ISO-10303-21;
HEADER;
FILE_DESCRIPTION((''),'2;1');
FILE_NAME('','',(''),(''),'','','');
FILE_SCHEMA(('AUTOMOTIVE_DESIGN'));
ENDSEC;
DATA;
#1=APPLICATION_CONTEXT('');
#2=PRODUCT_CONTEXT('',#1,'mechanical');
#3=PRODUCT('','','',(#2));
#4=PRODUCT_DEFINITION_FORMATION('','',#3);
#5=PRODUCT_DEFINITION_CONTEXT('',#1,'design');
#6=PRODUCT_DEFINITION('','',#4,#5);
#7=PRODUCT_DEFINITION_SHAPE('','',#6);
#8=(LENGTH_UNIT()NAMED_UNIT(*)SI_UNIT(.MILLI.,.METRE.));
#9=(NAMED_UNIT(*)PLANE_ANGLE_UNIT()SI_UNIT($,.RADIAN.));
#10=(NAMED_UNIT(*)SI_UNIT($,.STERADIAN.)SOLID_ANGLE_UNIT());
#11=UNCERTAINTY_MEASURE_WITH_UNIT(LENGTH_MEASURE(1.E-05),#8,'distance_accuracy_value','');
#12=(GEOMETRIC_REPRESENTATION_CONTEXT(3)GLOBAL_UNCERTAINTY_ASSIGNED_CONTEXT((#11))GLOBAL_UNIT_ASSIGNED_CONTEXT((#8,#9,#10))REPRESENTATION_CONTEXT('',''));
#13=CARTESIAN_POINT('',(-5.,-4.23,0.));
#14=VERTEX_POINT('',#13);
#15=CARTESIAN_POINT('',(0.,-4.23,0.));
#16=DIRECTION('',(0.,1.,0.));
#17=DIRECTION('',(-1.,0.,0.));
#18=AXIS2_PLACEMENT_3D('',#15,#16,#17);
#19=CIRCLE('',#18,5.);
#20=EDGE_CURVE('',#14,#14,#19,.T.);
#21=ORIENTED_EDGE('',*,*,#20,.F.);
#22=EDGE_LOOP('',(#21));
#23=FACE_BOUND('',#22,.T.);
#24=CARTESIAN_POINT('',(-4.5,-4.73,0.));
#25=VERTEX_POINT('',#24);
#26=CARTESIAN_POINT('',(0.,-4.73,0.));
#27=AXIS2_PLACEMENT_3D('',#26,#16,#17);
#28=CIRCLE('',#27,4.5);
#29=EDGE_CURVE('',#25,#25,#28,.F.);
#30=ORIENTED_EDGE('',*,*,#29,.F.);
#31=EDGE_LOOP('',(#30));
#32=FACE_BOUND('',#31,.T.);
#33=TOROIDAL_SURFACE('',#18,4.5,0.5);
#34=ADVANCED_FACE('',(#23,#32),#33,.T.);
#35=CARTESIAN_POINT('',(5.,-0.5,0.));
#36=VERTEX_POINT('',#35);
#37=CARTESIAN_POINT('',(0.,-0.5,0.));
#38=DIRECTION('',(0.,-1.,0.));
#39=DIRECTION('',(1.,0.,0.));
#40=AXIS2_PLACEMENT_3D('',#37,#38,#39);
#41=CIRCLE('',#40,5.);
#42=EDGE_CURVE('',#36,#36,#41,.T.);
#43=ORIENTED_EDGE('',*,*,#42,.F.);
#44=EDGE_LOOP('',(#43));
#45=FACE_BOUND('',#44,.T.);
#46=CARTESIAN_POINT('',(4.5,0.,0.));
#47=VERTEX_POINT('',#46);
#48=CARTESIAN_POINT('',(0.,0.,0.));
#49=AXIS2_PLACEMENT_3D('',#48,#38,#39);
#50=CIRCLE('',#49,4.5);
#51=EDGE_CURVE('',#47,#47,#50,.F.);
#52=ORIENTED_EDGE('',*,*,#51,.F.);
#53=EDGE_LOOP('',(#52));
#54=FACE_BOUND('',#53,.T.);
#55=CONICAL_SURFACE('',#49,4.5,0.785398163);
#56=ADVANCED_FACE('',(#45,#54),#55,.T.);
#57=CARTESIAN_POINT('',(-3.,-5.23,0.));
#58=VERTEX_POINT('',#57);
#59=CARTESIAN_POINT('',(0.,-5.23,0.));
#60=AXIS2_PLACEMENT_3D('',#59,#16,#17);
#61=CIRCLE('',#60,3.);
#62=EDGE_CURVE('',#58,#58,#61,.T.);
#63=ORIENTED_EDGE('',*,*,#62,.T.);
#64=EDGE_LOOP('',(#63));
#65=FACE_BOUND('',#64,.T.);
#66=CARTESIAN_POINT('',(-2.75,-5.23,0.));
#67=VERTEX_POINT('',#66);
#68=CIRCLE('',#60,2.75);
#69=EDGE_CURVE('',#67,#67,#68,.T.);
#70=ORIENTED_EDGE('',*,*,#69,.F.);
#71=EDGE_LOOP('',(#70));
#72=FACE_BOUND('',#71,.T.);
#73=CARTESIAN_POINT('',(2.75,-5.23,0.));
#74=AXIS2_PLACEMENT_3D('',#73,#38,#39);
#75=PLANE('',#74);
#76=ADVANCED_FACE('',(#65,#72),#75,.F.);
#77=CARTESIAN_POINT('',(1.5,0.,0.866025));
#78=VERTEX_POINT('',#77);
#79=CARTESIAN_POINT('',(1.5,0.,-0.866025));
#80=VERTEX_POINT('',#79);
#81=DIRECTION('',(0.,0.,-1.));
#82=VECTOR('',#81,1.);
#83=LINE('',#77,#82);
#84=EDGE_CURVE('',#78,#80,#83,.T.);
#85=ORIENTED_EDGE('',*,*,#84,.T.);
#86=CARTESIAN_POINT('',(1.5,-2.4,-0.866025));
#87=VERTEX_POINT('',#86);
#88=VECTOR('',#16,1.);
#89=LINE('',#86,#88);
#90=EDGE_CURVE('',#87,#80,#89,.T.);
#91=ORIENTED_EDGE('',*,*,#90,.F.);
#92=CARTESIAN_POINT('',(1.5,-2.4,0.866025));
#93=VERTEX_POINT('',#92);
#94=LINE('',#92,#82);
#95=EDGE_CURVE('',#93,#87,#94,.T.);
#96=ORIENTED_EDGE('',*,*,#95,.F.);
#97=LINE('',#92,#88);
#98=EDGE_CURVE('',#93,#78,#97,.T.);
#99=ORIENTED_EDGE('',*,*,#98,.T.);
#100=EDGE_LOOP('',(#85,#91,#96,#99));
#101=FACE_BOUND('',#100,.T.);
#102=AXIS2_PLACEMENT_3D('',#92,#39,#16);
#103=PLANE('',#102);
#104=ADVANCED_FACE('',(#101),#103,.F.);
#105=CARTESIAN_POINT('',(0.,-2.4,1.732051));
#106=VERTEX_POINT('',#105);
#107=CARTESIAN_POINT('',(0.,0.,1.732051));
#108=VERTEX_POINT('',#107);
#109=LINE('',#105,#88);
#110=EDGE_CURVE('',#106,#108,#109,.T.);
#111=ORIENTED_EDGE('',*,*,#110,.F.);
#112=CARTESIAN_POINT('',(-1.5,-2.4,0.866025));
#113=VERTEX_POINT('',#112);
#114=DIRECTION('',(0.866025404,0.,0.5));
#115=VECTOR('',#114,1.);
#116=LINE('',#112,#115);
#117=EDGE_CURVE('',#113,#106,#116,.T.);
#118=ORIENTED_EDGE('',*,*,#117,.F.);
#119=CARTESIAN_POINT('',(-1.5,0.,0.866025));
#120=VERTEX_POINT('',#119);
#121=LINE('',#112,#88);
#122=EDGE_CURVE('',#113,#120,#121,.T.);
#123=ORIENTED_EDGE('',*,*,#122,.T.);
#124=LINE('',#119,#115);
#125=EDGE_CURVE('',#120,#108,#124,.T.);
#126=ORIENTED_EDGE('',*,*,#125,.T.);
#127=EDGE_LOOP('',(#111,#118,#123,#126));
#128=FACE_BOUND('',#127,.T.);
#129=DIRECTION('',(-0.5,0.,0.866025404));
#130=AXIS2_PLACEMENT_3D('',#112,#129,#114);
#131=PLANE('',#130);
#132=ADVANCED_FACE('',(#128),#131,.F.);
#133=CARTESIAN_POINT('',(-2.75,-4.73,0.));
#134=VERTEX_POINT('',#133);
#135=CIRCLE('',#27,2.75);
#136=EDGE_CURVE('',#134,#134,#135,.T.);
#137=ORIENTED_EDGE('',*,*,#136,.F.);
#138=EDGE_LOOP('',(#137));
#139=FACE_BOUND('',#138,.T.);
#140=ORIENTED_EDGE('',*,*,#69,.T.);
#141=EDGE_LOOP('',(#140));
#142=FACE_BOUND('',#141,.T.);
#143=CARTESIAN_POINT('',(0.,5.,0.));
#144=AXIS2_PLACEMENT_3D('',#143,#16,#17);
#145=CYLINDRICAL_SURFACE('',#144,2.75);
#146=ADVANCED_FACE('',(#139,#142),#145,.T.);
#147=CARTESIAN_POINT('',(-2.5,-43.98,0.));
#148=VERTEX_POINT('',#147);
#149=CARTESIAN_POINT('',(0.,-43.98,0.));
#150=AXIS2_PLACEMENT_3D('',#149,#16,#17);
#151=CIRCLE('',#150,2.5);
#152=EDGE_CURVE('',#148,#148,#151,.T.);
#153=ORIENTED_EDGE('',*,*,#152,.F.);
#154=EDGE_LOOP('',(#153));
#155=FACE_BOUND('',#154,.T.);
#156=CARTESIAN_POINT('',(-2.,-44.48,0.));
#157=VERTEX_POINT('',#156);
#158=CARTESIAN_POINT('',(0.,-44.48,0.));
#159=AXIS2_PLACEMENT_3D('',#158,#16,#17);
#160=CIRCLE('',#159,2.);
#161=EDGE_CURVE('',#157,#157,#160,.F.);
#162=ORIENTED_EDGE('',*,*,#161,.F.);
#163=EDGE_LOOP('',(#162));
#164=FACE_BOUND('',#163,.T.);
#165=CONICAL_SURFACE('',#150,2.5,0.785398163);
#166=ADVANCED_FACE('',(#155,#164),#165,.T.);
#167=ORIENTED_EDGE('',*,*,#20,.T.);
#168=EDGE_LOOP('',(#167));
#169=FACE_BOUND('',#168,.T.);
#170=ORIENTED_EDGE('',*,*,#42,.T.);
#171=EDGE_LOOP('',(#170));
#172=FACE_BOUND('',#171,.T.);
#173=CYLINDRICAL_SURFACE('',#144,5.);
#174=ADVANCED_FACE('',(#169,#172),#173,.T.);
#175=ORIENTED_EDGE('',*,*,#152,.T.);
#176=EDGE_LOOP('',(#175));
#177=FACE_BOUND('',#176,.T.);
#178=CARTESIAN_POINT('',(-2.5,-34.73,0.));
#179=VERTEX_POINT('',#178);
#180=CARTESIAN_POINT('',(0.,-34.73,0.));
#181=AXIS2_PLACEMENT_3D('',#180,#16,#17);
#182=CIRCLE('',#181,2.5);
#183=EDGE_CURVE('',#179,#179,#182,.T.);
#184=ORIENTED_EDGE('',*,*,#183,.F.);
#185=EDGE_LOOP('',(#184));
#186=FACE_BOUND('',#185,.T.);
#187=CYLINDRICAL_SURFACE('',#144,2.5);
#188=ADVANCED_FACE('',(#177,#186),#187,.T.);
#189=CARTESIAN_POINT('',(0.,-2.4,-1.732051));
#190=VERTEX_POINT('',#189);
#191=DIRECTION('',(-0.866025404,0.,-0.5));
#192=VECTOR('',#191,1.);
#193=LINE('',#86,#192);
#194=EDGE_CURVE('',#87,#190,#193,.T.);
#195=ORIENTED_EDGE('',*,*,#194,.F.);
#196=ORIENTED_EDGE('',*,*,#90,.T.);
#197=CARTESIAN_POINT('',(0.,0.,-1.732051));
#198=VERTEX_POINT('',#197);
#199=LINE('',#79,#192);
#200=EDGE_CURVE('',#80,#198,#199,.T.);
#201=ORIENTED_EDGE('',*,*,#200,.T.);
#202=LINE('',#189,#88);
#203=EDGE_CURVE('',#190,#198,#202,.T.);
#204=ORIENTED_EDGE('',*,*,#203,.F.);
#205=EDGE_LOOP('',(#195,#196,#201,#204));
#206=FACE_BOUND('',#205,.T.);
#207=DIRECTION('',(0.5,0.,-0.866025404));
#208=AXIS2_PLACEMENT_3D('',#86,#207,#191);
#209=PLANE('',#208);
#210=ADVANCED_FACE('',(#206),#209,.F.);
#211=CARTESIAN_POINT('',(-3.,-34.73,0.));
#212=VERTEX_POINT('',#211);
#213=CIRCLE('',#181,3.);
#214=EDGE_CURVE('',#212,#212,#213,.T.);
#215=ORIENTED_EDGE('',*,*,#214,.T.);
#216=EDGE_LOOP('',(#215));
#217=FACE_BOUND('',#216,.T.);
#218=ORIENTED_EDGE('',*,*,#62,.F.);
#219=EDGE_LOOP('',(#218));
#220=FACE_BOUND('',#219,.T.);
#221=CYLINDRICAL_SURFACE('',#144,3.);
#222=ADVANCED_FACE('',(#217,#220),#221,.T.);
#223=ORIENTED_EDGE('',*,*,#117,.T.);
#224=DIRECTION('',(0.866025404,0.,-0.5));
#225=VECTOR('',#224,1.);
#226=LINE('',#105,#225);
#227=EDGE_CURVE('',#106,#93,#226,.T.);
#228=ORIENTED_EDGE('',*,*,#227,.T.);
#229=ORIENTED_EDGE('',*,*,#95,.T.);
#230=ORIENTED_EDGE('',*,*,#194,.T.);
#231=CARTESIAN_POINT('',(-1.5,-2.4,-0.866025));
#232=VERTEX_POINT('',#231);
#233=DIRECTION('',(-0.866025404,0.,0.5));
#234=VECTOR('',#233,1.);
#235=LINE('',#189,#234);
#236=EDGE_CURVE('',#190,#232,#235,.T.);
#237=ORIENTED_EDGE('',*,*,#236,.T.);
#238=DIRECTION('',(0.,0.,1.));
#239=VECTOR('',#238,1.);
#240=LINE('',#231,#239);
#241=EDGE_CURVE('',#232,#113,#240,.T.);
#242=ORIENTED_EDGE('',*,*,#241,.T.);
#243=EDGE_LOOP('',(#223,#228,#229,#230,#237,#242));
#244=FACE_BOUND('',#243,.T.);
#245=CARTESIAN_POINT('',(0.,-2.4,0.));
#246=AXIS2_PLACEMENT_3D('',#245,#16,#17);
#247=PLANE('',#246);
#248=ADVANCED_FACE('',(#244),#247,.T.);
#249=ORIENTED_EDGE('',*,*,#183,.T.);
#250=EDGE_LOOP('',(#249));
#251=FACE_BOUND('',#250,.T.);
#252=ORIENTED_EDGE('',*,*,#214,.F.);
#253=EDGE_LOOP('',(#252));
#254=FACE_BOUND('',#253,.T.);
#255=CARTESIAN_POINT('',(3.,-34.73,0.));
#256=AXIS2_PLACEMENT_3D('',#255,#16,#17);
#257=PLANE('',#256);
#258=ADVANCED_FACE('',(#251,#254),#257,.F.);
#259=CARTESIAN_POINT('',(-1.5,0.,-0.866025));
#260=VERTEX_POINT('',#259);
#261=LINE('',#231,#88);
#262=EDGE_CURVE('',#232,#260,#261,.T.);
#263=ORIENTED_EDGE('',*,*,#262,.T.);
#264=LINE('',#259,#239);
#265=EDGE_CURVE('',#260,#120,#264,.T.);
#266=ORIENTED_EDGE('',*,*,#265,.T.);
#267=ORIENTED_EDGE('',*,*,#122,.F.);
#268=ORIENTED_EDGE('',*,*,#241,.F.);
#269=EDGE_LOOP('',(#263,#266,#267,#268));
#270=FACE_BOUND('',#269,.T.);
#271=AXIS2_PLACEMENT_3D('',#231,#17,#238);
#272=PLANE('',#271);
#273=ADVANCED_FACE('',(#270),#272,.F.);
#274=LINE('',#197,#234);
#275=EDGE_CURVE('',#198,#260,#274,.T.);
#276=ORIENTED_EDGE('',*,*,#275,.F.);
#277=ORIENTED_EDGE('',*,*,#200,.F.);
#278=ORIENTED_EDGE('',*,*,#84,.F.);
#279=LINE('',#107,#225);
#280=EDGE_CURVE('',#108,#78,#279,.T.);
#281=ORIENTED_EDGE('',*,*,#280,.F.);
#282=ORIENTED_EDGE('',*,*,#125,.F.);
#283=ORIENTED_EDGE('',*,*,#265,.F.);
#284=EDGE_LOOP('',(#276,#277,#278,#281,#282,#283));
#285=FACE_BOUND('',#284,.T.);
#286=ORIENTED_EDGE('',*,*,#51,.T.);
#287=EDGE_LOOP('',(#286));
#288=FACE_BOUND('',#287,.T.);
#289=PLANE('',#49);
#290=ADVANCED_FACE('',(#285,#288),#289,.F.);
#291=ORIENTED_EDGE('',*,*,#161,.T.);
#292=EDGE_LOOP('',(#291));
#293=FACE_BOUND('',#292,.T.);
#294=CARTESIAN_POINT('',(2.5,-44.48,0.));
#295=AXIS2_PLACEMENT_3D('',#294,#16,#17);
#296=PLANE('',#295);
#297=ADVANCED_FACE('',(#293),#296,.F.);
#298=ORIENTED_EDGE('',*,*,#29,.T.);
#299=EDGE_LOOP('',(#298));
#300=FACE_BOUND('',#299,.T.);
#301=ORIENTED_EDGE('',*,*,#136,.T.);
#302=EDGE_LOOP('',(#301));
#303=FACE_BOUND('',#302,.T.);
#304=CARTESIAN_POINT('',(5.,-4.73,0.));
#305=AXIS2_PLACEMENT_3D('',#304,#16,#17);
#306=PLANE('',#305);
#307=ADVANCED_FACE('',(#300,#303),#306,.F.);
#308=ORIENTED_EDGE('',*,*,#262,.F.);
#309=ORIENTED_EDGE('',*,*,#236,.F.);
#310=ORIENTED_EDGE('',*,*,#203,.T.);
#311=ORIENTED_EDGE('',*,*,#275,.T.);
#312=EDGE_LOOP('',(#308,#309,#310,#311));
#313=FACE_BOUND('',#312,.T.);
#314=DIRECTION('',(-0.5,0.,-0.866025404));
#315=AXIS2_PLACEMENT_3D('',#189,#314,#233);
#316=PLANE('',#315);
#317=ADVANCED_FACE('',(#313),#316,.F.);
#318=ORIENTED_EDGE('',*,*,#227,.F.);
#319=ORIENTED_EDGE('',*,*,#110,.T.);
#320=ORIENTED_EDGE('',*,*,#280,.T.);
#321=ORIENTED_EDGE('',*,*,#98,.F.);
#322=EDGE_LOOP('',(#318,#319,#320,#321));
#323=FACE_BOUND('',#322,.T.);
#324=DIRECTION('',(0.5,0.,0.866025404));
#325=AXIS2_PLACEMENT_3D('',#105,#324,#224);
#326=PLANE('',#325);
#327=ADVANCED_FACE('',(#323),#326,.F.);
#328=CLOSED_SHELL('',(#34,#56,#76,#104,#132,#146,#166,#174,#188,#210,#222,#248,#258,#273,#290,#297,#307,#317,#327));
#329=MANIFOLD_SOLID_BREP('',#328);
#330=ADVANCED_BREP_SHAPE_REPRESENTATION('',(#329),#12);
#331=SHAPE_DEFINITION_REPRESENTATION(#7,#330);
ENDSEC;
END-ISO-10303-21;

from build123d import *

# Parameters (mm, degrees)
CUT_EXTRUDE1_DEPTH = 2.4
CHAMFER1_SIZE      = 0.5
FILLET1_R          = 0.5
CHAMFER2_SIZE      = 0.5


with BuildPart() as part:
    # Sketch1 → Revolve1 (revolve)
    with BuildSketch(Plane.XY, mode=Mode.PRIVATE) as revolve1_sk:
        Polygon((0, 0), (5, 0), (5, -4.73), (2.75, -4.73), (2.75, -5.23), (3, -5.23), (3, -34.73), (2.5, -34.73), (2.5, -44.48), (0, -44.48), align=None)
    revolve(revolve1_sk.sketch.rotate(Axis((0, 5, 0), (0, -1, 0)), 180), axis=Axis((0, 5, 0), (0, -1, 0)))

    # Sketch2 → Cut-Extrude1 (cut)
    with BuildSketch(Plane(origin=(0, 0, 0), x_dir=(1, 0, 0), z_dir=(0, 1, 0))):
        Polygon((0, -1.732050808), (1.5, -0.866025404), (1.5, 0.866025404), (0, 1.732050808), (-1.5, 0.866025404), (-1.5, -0.866025404), align=None)
    extrude(amount=-CUT_EXTRUDE1_DEPTH, mode=Mode.SUBTRACT)

    # Chamfer1
    chamfer1_edges = [part.edges().sort_by_distance(p)[0] for p in [
        (5, 0, 0),
    ]]
    chamfer(chamfer1_edges, length=CHAMFER1_SIZE)

    # Fillet1
    fillet1_edges = [part.edges().sort_by_distance(p)[0] for p in [
        (5, -4.73, 0),
    ]]
    fillet(fillet1_edges, radius=FILLET1_R)

    # Chamfer2
    chamfer2_edges = [part.edges().sort_by_distance(p)[0] for p in [
        (2.5, -44.48, 0),
    ]]
    chamfer(chamfer2_edges, length=CHAMFER2_SIZE)


solid = part.part
